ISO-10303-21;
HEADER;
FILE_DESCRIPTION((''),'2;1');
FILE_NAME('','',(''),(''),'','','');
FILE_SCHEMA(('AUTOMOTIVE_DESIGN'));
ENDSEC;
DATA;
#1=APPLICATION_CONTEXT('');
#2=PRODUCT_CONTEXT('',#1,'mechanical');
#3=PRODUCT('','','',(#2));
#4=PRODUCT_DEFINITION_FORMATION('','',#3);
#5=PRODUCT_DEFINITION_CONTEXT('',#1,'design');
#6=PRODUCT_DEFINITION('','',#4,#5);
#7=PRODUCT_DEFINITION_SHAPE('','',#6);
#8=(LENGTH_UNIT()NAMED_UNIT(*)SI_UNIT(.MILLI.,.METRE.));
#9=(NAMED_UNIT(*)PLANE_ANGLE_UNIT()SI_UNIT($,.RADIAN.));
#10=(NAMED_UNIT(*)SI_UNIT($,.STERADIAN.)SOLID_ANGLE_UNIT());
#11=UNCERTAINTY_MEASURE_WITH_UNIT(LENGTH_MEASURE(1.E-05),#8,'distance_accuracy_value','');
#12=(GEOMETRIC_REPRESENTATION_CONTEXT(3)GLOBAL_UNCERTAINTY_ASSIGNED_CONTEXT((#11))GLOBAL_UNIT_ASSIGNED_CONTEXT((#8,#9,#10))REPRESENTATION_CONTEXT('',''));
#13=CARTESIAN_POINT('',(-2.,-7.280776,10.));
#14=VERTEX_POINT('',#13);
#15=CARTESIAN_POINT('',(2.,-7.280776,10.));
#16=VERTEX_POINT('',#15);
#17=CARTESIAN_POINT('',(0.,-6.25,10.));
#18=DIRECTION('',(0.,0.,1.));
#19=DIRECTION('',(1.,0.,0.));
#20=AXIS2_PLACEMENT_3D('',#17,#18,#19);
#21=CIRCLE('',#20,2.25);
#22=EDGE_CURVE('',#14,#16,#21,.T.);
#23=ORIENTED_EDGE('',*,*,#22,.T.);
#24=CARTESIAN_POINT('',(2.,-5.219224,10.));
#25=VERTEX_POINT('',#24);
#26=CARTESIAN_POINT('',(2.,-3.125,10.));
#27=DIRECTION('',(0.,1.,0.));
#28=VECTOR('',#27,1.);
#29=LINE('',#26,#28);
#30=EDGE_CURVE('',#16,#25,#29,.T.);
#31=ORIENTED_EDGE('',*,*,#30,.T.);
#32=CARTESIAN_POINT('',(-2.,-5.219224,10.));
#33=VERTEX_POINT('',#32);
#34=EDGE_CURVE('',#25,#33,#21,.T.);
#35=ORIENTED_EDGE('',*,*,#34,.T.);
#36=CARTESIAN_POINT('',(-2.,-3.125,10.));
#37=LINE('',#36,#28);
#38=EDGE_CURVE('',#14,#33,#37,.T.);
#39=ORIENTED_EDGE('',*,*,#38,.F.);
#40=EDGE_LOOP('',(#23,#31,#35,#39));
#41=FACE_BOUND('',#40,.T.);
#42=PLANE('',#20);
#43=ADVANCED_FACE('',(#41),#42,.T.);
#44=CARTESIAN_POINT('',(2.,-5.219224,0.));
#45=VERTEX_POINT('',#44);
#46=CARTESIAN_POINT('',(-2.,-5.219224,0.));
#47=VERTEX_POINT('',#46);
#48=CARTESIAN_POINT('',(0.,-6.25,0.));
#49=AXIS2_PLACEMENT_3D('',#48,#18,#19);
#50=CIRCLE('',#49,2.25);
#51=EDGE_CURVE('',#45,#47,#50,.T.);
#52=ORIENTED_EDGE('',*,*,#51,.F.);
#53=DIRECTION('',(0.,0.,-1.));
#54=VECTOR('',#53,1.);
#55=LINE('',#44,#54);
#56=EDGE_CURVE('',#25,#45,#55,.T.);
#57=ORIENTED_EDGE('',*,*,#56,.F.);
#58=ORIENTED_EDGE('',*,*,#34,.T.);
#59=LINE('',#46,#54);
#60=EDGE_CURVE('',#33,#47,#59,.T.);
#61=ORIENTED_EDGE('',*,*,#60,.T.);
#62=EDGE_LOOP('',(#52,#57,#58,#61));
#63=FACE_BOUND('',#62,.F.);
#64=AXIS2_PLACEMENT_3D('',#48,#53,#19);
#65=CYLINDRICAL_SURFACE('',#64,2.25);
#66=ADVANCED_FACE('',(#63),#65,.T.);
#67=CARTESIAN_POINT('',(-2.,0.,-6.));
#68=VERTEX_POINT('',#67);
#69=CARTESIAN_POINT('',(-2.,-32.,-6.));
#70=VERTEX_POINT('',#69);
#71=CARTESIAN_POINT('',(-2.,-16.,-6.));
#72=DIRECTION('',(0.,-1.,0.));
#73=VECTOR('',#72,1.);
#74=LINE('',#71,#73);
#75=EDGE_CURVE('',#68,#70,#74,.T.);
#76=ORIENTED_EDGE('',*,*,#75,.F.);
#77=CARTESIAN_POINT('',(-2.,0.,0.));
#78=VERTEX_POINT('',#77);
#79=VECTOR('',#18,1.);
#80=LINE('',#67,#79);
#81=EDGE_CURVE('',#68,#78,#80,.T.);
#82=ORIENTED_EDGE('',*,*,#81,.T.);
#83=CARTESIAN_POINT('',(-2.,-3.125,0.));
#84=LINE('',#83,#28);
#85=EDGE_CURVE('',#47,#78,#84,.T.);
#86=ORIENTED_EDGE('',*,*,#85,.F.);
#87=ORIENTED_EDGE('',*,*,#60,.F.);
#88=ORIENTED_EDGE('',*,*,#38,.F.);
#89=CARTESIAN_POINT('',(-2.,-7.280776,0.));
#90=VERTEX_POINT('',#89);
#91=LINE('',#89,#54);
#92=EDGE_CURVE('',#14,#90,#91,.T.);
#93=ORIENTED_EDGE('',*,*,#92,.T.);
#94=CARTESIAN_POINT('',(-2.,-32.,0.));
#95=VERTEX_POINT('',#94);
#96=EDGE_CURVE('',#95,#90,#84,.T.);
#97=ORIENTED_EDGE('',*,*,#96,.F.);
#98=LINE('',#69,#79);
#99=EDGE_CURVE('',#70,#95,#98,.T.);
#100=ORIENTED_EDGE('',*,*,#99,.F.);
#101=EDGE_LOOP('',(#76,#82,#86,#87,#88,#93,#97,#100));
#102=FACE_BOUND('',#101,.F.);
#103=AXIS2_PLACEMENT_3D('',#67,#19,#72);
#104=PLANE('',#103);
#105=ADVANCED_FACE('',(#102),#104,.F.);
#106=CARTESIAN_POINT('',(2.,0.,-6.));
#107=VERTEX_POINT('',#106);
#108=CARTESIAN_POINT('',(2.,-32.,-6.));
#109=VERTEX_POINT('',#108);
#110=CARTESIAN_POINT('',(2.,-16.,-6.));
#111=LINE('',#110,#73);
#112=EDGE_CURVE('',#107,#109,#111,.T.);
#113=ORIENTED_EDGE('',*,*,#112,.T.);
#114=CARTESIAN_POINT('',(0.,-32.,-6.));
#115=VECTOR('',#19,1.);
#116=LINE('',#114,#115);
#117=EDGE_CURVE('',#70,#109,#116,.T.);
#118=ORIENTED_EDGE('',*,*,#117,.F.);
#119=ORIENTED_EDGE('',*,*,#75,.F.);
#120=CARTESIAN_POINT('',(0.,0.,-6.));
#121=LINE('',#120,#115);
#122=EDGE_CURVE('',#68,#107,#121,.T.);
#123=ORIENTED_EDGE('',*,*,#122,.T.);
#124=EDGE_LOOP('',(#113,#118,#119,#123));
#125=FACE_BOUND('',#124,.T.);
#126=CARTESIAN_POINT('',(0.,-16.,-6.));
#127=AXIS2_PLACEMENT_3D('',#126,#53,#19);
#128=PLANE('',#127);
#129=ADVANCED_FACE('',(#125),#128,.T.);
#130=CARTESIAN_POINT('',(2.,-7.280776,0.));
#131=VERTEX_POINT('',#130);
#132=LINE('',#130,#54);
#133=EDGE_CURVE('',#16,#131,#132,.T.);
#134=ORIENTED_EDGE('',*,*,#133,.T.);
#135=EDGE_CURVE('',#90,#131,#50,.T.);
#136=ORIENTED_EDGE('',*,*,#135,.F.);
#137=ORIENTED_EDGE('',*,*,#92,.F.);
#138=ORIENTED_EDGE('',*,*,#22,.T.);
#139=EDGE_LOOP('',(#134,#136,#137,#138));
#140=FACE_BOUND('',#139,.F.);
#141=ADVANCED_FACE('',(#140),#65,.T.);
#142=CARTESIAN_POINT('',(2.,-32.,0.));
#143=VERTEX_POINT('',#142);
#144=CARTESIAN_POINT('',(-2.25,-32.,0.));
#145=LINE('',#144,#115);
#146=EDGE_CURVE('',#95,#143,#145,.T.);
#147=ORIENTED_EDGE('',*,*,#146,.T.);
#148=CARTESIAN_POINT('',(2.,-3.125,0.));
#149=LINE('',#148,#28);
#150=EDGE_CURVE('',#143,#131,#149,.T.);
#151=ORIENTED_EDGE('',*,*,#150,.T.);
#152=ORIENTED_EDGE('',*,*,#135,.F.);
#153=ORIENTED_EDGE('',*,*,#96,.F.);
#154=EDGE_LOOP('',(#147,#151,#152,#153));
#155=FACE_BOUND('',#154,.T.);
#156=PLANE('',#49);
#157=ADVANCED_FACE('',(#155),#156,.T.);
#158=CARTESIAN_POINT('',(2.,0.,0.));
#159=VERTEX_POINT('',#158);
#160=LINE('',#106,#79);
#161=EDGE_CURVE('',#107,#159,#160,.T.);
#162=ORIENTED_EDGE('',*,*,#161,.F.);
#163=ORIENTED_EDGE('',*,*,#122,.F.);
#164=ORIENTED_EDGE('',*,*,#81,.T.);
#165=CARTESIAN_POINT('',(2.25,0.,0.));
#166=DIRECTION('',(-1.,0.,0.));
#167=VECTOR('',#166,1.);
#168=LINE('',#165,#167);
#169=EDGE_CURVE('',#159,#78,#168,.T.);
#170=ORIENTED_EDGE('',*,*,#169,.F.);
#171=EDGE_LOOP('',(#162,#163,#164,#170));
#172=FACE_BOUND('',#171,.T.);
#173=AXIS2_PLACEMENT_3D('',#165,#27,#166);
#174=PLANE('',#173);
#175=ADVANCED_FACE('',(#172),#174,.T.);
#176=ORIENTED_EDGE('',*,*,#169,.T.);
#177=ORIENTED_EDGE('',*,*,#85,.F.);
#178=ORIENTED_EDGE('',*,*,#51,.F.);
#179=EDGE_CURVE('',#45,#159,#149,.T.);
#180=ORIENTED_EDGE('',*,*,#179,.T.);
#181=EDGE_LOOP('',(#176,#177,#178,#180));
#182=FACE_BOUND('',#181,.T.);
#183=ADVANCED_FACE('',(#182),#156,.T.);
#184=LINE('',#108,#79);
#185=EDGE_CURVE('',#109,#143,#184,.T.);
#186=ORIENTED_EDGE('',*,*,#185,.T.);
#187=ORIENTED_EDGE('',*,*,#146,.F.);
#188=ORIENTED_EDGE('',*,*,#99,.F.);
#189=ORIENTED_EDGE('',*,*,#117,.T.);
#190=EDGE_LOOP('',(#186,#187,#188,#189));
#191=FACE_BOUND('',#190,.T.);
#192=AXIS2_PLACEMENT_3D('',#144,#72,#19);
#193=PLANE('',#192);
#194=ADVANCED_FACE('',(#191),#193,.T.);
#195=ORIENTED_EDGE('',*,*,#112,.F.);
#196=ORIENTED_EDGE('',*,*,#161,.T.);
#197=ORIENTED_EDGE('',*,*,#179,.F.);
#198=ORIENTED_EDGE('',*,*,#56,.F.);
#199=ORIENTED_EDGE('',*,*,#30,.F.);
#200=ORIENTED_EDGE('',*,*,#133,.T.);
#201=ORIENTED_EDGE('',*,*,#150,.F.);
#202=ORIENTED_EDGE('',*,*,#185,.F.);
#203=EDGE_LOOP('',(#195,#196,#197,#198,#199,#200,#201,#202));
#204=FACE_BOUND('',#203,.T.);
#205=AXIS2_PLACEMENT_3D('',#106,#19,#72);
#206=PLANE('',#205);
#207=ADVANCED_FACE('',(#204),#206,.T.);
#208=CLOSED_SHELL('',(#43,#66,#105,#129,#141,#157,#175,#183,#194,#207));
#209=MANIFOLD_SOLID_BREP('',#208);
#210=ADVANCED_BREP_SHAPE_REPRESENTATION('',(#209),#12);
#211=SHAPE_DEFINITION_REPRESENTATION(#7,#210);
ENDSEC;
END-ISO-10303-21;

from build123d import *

# Parameters (mm, degrees)
F1_DEPTH = 10
F2_DEPTH = 6
F3_W     = 4
F3_H     = 32
F4_DEPTH = 16.001


with BuildPart() as f1:
    # F0 (on Top) → F1 (new body)
    with BuildSketch(Plane.XY):
        with BuildLine():
            ThreePointArc((-2.25, -6.25), (0, -8.5), (2.25, -6.25))
            ThreePointArc((2.25, -6.25), (0, -4), (-2.25, -6.25))
        make_face()
    extrude(amount=F1_DEPTH)

    # F0 (on Top) → F2 (join)
    with BuildSketch(Plane.XY):
        with BuildLine():
            ThreePointArc((-2.25, -6.25), (0, -8.5), (2.25, -6.25))
            ThreePointArc((2.25, -6.25), (0, -4), (-2.25, -6.25))
        make_face()
        with BuildLine():
            ThreePointArc((-2.25, -6.25), (0, -4), (2.25, -6.25))
            Line((2.25, -6.25), (2.25, 0))
            Line((2.25, 0), (-2.25, 0))
            Line((-2.25, 0), (-2.25, -6.25))
        make_face()
        with BuildLine():
            Line((2.25, -32), (2.25, -6.25))
            ThreePointArc((2.25, -6.25), (0, -8.5), (-2.25, -6.25))
            Line((-2.25, -6.25), (-2.25, -32))
            Line((-2.25, -32), (2.25, -32))
        make_face()
    extrude(amount=-F2_DEPTH)

    # F3 (on face) → F4 (intersect, through all)
    with BuildSketch(Plane(origin=(0, 0, -6), x_dir=(1, 0, 0), z_dir=(0, 0, -1))):
        with Locations((0, 16)):
            Rectangle(F3_W, F3_H)
    extrude(amount=-F4_DEPTH, mode=Mode.INTERSECT)


solid = f1.part
